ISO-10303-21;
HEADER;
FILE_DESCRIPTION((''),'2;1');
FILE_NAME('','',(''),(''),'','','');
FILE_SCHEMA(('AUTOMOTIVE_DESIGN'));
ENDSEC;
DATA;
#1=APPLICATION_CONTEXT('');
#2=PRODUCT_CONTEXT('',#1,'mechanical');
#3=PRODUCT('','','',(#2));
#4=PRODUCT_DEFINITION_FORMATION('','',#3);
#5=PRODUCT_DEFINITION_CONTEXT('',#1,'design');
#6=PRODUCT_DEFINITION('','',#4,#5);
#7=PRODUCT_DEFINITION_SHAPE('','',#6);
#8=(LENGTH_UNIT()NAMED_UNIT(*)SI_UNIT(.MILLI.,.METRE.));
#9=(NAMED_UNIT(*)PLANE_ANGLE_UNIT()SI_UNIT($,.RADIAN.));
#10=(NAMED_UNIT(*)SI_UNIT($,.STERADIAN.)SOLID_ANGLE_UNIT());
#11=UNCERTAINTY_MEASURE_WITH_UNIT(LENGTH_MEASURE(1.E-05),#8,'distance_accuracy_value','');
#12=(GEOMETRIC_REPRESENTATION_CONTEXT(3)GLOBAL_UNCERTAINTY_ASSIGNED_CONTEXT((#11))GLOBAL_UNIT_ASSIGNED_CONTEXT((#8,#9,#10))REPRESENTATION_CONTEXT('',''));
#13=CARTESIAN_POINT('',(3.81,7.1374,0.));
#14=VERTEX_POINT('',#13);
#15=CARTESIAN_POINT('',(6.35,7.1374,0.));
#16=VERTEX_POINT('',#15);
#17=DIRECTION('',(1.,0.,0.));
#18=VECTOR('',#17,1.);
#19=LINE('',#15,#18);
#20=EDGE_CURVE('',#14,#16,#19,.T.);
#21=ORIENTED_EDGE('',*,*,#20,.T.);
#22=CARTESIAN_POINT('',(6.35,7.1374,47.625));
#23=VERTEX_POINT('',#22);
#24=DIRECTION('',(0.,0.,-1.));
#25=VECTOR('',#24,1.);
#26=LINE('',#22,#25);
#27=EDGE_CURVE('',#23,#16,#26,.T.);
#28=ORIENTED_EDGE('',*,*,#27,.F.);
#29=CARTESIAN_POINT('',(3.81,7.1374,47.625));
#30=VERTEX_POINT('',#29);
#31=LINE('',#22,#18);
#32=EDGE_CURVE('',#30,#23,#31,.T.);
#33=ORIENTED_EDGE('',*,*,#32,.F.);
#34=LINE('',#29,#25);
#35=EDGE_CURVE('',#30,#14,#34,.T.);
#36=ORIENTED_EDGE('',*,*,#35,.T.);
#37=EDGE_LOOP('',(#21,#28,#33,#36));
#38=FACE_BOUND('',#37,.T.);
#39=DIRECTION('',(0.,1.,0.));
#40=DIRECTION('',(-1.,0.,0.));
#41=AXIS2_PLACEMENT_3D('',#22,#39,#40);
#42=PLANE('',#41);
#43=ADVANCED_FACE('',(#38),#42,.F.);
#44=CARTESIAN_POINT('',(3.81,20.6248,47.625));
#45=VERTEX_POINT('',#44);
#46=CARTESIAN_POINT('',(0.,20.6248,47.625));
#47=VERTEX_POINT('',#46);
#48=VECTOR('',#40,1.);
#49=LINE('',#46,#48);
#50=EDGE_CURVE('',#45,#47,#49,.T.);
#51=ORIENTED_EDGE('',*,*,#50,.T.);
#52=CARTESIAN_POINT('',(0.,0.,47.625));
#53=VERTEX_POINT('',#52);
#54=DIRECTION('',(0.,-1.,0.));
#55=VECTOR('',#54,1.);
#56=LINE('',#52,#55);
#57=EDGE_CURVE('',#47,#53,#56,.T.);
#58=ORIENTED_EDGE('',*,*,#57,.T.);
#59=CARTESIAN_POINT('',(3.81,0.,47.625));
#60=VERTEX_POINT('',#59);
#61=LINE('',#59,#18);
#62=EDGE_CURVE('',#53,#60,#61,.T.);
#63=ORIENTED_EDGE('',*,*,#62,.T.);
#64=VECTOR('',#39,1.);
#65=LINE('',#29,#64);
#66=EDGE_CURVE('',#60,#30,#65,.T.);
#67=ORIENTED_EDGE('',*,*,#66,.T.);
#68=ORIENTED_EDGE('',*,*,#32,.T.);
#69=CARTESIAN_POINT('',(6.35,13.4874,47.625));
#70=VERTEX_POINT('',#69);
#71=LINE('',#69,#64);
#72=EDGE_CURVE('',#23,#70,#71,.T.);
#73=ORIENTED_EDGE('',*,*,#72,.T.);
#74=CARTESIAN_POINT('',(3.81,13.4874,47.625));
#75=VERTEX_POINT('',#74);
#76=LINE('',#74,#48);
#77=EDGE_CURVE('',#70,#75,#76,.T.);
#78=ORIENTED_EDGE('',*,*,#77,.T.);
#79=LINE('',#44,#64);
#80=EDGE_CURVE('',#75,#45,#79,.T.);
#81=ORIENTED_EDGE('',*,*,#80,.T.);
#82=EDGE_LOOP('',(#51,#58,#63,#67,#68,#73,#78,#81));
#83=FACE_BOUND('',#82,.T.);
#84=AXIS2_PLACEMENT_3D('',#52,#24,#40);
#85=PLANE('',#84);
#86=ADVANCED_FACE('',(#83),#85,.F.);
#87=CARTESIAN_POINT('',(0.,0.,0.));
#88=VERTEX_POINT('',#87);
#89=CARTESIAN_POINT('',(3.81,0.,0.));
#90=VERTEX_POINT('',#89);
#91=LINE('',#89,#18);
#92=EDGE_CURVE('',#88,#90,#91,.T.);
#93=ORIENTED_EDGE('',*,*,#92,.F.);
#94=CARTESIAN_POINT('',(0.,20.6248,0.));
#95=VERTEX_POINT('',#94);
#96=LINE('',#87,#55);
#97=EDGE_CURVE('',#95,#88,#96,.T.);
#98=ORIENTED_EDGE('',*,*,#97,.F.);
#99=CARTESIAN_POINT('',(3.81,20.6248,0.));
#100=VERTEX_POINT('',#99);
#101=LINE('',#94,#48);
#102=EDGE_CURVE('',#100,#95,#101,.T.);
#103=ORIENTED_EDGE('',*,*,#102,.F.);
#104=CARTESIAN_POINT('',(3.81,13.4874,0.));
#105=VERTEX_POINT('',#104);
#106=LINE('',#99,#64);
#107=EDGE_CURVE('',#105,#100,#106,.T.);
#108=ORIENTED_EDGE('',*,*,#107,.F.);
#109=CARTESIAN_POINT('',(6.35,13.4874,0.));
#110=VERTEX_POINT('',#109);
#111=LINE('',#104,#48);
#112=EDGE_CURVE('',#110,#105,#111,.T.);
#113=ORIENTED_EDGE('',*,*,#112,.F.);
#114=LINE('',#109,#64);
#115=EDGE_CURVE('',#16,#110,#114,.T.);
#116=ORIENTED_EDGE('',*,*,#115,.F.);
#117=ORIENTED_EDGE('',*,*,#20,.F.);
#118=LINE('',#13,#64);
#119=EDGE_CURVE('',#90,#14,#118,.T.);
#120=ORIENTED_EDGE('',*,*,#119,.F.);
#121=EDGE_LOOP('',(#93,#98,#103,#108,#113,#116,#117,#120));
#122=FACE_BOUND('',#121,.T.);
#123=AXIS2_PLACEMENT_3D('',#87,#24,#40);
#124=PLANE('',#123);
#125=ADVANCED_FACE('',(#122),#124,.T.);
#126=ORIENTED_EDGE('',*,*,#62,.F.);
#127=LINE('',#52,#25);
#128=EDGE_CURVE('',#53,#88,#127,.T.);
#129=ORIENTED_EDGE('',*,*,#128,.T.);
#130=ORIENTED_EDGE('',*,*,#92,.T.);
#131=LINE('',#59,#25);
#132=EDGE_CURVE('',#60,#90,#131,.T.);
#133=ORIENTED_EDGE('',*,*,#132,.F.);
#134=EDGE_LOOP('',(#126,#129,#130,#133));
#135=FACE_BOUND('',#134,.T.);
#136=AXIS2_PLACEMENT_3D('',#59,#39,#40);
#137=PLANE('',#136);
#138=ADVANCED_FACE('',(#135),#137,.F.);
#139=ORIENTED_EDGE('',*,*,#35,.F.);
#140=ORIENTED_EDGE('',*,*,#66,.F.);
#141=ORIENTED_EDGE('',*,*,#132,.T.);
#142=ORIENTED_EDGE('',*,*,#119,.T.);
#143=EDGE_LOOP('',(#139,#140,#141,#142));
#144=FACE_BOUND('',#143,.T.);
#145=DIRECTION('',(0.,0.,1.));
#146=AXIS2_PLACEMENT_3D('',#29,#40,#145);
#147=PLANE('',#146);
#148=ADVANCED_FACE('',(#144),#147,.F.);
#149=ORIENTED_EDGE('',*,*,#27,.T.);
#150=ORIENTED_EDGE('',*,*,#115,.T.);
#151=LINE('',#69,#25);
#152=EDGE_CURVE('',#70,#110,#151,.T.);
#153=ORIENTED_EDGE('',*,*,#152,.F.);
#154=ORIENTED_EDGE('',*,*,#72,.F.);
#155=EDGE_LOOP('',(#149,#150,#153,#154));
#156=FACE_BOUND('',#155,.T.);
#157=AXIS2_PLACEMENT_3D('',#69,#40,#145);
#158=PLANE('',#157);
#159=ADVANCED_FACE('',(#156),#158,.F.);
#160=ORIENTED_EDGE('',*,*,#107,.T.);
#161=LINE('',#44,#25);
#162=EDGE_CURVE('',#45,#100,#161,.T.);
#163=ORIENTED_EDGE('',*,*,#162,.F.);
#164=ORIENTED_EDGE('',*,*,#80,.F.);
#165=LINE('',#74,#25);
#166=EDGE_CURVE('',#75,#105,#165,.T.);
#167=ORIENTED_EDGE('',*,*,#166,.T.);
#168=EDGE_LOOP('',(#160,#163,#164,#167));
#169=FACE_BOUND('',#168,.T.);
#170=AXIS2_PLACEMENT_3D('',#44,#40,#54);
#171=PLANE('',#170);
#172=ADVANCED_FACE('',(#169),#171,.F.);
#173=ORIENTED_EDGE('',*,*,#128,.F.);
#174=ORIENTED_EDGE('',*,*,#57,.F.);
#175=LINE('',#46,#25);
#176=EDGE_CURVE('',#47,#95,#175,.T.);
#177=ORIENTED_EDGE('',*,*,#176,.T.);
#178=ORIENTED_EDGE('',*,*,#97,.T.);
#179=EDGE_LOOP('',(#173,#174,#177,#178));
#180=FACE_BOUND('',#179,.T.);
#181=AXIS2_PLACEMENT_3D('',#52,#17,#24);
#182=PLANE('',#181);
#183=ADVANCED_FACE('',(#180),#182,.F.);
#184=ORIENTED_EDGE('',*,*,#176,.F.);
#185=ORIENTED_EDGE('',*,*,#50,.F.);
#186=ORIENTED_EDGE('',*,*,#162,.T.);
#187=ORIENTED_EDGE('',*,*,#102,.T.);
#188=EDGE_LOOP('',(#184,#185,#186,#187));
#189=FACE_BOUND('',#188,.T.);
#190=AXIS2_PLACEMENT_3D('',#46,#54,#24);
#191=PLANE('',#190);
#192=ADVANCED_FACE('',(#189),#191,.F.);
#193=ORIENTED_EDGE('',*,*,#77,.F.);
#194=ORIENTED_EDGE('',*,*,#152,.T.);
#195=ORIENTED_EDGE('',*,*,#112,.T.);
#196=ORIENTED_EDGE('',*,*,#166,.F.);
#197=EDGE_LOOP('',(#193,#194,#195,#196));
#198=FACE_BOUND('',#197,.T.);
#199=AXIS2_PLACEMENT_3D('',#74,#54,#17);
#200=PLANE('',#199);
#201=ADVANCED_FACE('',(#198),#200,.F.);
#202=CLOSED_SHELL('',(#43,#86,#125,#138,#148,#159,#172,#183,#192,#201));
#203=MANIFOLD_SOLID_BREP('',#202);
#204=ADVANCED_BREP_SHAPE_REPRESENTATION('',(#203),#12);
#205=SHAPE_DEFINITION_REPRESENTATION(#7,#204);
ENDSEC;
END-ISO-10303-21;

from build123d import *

# Parameters (mm, degrees)
BOSS_EXTRUDE1_DEPTH = 47.625


with BuildPart() as part:
    # Sketch1 → Boss-Extrude1 (new body)
    with BuildSketch(Plane.XY):
        Polygon((0, 0), (0, 20.6248), (3.81, 20.6248), (3.81, 13.4874), (6.35, 13.4874), (6.35, 7.1374), (3.81, 7.1374), (3.81, 0), align=None)
    extrude(amount=BOSS_EXTRUDE1_DEPTH)


solid = part.part
